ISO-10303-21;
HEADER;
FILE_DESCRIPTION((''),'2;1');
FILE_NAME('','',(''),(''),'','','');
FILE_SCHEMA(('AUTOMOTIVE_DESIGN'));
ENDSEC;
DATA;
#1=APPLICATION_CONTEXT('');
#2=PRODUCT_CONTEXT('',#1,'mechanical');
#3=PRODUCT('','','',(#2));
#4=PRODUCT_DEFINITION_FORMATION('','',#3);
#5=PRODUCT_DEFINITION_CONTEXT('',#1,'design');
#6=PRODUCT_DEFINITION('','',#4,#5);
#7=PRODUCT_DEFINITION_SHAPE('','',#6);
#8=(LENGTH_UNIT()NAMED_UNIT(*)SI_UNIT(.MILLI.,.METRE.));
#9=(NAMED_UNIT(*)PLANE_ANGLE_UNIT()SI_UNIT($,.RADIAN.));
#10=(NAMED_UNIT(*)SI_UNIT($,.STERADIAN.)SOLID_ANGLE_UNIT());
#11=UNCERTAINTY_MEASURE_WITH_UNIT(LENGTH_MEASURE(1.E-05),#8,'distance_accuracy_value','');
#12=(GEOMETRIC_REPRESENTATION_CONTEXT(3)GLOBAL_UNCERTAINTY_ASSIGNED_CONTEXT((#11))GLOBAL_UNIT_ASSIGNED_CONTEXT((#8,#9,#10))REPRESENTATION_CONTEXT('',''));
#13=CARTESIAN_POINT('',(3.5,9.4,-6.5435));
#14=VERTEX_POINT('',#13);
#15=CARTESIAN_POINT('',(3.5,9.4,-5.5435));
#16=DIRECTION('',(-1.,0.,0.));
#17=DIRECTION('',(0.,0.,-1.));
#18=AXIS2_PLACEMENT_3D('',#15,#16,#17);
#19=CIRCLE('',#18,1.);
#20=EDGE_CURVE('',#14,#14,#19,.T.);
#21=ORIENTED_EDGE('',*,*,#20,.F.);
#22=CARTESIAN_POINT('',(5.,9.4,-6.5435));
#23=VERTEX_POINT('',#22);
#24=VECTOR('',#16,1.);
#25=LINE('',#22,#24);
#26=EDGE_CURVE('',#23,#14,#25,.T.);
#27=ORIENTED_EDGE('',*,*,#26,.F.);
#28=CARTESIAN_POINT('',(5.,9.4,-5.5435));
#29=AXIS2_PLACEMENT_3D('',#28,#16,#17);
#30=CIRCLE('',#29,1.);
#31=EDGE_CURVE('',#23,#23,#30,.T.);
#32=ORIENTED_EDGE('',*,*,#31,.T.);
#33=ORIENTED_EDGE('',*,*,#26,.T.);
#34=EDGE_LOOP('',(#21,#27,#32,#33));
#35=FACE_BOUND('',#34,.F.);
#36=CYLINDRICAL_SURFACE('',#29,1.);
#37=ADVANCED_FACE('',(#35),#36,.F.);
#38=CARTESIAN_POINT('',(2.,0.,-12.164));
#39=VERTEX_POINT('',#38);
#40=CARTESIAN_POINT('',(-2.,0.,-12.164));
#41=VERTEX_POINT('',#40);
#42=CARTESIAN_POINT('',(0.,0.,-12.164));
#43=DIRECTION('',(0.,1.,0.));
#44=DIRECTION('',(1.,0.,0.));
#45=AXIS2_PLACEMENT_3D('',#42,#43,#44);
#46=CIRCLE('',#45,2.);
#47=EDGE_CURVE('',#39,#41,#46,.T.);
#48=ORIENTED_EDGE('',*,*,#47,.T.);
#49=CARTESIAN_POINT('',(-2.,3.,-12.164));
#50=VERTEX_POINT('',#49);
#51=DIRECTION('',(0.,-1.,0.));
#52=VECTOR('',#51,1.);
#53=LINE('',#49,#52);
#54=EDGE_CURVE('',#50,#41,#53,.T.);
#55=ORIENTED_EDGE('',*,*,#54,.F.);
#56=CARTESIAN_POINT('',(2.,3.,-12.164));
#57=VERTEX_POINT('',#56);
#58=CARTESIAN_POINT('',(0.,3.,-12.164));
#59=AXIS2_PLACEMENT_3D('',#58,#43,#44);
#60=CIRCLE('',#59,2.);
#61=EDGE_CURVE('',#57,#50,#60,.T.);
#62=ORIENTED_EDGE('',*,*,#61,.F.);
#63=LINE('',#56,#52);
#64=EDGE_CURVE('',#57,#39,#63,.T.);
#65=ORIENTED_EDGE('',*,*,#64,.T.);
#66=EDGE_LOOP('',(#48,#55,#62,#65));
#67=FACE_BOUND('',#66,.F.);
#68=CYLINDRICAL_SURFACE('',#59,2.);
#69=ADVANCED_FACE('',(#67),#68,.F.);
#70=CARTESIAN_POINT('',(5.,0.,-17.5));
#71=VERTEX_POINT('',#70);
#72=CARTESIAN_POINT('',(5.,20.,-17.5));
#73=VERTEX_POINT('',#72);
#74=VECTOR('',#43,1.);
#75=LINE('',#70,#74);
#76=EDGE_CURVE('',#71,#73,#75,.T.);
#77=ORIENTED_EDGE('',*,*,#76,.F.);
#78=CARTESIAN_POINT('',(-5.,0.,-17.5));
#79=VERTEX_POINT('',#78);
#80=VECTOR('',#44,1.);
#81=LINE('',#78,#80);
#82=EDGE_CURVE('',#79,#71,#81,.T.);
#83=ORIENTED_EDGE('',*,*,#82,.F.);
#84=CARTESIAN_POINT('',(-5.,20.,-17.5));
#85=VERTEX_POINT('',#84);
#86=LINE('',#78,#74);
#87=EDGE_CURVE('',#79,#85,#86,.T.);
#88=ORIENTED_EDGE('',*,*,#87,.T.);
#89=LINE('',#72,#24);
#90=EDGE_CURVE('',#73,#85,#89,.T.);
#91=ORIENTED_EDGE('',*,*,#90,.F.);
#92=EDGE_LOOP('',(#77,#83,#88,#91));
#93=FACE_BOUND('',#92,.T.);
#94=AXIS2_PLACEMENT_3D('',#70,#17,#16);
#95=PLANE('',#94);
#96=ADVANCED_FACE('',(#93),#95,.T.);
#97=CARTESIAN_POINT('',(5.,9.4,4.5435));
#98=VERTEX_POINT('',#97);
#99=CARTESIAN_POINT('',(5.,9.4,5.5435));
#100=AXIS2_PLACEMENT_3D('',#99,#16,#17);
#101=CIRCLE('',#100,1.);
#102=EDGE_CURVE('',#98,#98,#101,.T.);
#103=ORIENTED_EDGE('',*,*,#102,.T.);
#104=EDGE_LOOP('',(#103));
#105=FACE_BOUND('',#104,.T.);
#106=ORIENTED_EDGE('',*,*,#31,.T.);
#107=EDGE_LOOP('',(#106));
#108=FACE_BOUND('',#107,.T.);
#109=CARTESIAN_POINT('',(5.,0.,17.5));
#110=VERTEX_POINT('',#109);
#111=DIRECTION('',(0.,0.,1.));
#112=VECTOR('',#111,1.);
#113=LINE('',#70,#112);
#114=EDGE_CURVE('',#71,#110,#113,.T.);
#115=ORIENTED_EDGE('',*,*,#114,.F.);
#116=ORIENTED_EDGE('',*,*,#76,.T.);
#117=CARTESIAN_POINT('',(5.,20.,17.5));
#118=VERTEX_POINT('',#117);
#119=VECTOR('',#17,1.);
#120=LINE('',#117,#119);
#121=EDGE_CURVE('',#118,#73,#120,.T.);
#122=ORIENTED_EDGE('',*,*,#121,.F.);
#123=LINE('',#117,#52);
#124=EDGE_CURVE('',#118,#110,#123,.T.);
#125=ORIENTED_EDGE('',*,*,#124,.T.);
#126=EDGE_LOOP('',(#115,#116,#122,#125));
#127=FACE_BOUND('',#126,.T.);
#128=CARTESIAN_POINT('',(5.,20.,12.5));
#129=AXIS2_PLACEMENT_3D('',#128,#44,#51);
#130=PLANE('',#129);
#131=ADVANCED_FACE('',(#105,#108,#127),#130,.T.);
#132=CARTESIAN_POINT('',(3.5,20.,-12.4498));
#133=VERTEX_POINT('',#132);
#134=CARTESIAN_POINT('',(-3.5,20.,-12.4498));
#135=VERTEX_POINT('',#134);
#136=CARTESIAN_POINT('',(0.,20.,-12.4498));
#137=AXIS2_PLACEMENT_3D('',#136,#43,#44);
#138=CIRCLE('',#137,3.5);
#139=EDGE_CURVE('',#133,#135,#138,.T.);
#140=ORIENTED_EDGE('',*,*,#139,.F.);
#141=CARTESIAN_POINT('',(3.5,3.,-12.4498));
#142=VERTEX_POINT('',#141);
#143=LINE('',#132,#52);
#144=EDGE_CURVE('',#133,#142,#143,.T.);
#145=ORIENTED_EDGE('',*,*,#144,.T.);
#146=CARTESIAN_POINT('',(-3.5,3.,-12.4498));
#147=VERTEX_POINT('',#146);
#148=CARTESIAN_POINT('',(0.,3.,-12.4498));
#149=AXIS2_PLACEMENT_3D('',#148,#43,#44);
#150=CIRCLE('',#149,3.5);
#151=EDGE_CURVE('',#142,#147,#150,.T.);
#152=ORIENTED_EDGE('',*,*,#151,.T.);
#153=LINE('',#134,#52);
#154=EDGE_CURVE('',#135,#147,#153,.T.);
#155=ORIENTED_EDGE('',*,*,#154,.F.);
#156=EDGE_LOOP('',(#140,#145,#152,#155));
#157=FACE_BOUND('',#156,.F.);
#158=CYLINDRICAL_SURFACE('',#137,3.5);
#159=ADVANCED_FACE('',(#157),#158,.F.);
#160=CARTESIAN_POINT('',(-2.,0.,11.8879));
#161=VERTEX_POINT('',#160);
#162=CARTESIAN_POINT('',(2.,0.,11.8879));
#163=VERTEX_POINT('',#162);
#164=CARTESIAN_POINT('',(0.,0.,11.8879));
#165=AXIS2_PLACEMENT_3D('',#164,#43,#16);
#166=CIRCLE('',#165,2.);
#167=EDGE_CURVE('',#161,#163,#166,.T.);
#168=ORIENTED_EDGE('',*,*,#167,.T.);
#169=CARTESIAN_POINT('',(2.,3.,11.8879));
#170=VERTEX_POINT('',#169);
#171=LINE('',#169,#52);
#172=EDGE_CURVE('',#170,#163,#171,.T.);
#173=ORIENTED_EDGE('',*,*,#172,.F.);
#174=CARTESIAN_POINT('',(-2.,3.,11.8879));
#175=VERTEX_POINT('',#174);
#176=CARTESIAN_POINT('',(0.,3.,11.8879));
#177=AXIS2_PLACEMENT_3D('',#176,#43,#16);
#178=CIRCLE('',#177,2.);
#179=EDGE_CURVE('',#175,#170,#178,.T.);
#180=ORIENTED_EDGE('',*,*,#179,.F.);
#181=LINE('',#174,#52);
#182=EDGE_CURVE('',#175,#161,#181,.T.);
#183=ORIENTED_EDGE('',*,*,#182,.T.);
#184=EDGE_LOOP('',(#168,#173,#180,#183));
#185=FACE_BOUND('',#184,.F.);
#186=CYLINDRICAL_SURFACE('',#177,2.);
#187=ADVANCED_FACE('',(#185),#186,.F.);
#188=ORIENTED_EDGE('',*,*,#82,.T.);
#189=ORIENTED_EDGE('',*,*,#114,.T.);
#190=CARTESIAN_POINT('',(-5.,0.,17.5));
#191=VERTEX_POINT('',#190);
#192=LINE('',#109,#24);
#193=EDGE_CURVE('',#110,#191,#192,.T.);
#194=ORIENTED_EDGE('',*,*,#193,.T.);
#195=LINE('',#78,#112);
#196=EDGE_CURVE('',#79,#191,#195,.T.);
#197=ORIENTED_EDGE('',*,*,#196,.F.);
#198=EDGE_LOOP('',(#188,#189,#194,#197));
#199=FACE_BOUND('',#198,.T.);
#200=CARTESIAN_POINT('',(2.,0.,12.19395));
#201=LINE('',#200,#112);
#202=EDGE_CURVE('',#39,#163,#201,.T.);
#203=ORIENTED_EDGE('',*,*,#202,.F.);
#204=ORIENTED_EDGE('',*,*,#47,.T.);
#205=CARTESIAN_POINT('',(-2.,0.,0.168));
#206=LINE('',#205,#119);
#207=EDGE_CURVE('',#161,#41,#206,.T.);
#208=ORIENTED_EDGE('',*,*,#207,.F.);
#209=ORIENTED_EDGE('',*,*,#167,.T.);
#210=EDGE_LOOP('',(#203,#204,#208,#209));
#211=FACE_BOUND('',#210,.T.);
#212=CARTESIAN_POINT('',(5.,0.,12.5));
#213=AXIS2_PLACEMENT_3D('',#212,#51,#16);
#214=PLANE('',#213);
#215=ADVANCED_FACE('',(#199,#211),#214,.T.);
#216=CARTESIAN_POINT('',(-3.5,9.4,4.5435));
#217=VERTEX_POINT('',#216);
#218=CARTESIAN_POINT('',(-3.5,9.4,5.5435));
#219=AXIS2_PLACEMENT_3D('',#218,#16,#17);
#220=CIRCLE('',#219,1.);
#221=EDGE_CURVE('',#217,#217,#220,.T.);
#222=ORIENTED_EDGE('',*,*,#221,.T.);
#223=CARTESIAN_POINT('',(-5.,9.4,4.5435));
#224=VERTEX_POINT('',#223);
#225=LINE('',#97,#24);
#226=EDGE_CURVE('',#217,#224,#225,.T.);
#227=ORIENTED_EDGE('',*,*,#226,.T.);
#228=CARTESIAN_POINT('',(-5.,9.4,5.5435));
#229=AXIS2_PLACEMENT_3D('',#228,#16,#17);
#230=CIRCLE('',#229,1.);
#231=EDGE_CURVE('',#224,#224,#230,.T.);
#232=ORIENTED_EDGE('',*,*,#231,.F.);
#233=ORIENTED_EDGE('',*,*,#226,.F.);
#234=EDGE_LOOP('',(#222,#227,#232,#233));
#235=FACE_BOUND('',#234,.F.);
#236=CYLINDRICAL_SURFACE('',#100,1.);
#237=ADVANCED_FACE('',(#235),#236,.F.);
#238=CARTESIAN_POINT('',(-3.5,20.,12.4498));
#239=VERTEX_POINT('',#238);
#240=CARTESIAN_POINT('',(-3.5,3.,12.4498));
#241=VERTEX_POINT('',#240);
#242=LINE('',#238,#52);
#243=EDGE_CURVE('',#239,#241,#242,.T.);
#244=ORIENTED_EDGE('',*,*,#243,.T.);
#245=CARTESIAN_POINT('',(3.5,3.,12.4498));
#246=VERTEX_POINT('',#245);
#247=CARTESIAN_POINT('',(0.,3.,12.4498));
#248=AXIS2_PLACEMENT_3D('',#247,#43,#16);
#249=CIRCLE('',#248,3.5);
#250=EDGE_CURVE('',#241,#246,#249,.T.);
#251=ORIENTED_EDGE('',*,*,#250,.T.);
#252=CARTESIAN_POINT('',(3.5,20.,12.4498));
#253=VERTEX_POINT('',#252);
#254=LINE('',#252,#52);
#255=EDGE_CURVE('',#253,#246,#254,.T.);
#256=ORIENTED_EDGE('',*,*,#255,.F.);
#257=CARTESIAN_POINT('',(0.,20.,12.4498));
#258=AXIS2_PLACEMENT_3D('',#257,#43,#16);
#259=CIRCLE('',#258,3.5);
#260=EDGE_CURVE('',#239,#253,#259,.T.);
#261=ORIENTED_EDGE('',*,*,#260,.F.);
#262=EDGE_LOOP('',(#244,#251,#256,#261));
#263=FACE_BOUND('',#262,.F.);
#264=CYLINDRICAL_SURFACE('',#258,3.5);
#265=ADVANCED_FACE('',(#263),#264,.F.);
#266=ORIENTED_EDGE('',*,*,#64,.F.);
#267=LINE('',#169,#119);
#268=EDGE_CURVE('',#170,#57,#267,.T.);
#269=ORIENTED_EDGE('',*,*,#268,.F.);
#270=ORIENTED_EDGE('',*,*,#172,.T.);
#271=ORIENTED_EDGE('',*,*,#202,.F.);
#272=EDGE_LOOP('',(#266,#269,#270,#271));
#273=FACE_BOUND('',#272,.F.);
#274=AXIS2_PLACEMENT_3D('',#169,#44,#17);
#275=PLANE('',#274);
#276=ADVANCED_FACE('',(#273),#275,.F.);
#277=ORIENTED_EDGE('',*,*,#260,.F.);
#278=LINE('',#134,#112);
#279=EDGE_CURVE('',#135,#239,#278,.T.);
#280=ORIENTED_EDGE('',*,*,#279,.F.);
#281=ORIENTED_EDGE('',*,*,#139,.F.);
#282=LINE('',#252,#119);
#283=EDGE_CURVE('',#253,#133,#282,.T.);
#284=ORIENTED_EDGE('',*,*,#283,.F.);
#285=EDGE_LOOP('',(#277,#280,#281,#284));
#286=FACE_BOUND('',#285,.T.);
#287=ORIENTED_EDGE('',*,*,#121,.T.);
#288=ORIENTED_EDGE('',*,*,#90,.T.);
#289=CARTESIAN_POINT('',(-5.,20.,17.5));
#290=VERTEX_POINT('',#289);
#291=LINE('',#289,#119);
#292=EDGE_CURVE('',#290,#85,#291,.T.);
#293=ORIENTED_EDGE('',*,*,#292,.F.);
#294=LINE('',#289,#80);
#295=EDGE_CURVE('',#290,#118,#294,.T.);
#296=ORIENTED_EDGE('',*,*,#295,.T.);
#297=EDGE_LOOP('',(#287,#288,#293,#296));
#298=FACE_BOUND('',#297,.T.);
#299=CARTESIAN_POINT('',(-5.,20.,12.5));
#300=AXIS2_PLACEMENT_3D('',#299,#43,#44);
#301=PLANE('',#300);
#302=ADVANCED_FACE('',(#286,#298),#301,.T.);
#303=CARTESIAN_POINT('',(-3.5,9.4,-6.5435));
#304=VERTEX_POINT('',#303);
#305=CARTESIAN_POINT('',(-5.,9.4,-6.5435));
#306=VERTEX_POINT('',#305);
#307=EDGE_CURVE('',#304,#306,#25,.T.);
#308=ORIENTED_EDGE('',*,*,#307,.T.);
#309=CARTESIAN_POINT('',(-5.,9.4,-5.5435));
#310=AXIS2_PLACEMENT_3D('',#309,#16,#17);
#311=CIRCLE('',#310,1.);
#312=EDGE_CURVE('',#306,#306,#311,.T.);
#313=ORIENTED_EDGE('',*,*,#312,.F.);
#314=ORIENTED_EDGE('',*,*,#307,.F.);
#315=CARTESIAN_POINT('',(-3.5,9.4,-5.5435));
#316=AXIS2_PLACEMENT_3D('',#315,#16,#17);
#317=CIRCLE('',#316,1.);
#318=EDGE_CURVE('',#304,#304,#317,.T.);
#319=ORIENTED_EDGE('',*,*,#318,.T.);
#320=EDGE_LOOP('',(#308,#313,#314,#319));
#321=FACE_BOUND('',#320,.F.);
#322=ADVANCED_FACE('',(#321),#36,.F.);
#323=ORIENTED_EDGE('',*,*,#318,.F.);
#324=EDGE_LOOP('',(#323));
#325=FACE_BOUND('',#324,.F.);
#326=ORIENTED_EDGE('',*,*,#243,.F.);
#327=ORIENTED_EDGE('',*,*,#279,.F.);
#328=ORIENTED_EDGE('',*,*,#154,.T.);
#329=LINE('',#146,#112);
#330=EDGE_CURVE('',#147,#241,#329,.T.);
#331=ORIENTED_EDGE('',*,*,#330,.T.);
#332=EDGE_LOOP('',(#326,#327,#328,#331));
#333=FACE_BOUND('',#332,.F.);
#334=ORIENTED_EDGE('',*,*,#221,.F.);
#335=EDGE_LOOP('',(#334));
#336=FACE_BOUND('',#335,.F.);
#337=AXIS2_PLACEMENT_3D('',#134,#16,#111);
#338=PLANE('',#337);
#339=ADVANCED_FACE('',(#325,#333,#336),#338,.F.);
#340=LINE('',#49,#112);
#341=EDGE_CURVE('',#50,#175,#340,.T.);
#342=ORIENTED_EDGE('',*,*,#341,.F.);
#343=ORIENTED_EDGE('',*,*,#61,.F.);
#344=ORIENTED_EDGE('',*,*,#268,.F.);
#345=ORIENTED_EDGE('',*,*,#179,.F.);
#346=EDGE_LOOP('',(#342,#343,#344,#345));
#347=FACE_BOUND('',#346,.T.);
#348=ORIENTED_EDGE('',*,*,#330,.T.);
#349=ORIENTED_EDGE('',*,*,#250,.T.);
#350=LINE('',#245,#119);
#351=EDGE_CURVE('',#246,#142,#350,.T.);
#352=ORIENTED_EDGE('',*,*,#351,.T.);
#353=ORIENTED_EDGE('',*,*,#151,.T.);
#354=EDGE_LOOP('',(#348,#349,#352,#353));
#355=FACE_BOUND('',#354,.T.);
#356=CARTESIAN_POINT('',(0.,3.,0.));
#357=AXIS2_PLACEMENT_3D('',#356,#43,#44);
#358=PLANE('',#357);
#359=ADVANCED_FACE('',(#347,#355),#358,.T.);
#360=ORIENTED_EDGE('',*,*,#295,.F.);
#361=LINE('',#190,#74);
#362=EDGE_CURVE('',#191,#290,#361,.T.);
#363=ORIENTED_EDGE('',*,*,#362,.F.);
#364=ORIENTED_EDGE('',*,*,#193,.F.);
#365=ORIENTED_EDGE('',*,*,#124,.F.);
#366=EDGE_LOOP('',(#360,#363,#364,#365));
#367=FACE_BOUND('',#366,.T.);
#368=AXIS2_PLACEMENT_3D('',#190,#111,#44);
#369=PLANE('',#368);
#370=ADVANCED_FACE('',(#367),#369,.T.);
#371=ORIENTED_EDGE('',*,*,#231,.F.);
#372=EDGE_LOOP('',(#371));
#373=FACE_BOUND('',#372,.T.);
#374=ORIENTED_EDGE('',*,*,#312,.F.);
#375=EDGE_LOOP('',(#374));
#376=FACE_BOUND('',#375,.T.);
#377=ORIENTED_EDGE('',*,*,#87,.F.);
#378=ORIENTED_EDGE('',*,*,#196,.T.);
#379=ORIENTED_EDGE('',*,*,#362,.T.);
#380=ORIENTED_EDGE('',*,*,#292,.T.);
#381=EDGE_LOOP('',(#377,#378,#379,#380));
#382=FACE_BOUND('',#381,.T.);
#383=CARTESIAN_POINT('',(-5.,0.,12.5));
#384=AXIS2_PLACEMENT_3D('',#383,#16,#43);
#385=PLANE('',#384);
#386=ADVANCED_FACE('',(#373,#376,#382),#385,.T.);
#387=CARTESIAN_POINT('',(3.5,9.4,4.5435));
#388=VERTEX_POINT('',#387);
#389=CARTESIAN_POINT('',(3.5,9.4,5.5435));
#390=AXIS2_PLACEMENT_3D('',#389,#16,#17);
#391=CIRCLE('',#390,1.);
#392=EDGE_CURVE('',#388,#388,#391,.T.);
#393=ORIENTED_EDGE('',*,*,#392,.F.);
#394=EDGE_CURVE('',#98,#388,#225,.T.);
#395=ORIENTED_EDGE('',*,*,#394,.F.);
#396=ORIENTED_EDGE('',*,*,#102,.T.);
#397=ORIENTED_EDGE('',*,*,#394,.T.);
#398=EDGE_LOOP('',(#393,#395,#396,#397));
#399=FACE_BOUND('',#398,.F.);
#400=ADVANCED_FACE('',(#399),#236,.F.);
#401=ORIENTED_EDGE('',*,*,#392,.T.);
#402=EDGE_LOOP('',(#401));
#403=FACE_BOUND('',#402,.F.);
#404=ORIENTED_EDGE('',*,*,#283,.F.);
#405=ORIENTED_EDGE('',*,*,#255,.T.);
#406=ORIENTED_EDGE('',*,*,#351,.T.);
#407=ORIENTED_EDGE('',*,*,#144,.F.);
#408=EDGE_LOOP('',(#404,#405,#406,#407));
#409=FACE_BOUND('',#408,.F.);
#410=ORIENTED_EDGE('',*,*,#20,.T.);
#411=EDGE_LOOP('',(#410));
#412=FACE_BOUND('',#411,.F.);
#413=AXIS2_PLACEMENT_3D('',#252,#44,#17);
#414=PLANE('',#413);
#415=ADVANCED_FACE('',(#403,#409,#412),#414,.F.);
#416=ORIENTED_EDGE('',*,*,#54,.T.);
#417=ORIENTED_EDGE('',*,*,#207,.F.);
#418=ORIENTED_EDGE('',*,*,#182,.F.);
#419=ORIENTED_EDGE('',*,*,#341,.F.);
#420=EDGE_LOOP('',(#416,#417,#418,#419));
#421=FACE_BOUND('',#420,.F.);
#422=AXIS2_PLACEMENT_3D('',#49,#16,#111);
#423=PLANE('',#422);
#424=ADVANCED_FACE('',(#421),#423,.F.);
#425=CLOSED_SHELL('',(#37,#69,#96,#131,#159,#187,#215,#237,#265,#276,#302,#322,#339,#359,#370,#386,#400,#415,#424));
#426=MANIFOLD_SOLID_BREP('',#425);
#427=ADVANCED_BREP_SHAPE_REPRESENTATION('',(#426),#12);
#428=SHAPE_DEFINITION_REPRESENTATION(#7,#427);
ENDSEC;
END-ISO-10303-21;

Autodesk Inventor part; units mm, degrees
ref_plane "YZ Plane" through (0, 0, 0) normal (1, 0, 0) x (0, 1, 0)
ref_plane "XZ Plane" through (0, 0, 0) normal (0, 1, 0) x (-1, 0, 0)
ref_plane "XY Plane" through (0, 0, 0) normal (0, 0, 1) x (1, 0, 0)
sketch "Sketch1" plane through (0, 0, 0) normal (0, 1, 0) x (-1, 0, 0)
  line L0 (5, -12.5) -> (-5, -12.5)
  line L1 (-5, -12.5) -> (-5, 12.5)
  line L2 (-5, 12.5) -> (5, 12.5)
  line L3 (5, 12.5) -> (5, -12.5)
  line L4 (5, -12.5) -> (-5, 12.5) construction
  line L5 (-5, -12.5) -> (5, 12.5) construction
  point P0 (0, 0)
  dimension "d0" = 10
  dimension "d1" = 25
extrude "Extrusion1" add sketch "Sketch1" along normal blind 20
sketch "Sketch2" plane through (5, 0, 12.5) normal (1, 0, 0) x (0, 0, -1)
  line L0 (0, 0) -> (25, 0) projected
  line L1 (0, 0) -> (0, 20) projected
  point P0 (12.5, 0)
  point P1 (6.9565, 9.4)
  point P2 (18.0435, 9.4)
  dimension "d11" = 9.4
  dimension "d12" = 9.4
  dimension "d13" = 11.087
  dimension "d14" = 6.9565
hole "Hole1" at (5, 9.4, 5.5435) at (5, 9.4, -5.5435) direction (-1, 0, 0) diameter 2 depth 25
sketch "Sketch3" plane through (5, 0, -12.5) normal (0, 0, -1) x (-1, 0, 0)
  line L0 (0, 0) -> (0, 20) projected
  line L1 (10, 0) -> (10, 20) projected
  line L2 (0, 20) -> (10, 20)
  line L3 (10, 20) -> (10, 0)
  line L4 (10, 0) -> (0, 0)
  line L5 (0, 0) -> (0, 20)
  point P0 (5, 0)
extrude "Extrusion2" add sketch "Sketch3" along normal blind 5
sketch "Sketch4" plane through (-5, 0, 12.5) normal (0, 0, 1) x (1, 0, 0)
  line L0 (0, 0) -> (0, 20) projected
  line L1 (10, 0) -> (0, 0)
  line L2 (0, 0) -> (0, 20)
  line L3 (0, 20) -> (10, 20)
  line L4 (10, 20) -> (10, 0)
  point P0 (5, 0)
extrude "Extrusion3" add sketch "Sketch4" along normal blind 5
sketch "Sketch5" plane through (0, 20, 0) normal (0, 1, 0) x (1, 0, 0)
  line L0 (0, -15.9498) -> (0, 15.9498) construction
  line L1 (3.5, -12.4498) -> (3.5, 12.4498)
  line L2 (-3.5, 12.4498) -> (-3.5, -12.4498)
  arc A0 (-3.5, -12.4498) -> (3.5, -12.4498) centre (0, -12.4498) ccw
  arc A1 (3.5, 12.4498) -> (-3.5, 12.4498) centre (0, 12.4498) ccw
  point P0 (0, 0)
  point P1 (0, 0)
  dimension "d19" = 7
extrude "Extrusion4" cut sketch "Sketch5" against normal blind 17
sketch "Sketch6" plane through (0, 3, 0) normal (0, 1, 0) x (1, 0, 0)
  line L0 (0, -13.8879) -> (0, 14.164) construction
  line L1 (2, -11.8879) -> (2, 12.164)
  line L2 (-2, 12.164) -> (-2, -11.8879)
  arc A0 (-2, -11.8879) -> (2, -11.8879) centre (0, -11.8879) ccw
  arc A1 (2, 12.164) -> (-2, 12.164) centre (0, 12.164) ccw
  point P0 (0, 0)
  point P1 (0, 0.1381)
  dimension "d22" = 4
extrude "Extrusion5" cut sketch "Sketch6" against normal blind 15
properties part number "ResonantSlider"
